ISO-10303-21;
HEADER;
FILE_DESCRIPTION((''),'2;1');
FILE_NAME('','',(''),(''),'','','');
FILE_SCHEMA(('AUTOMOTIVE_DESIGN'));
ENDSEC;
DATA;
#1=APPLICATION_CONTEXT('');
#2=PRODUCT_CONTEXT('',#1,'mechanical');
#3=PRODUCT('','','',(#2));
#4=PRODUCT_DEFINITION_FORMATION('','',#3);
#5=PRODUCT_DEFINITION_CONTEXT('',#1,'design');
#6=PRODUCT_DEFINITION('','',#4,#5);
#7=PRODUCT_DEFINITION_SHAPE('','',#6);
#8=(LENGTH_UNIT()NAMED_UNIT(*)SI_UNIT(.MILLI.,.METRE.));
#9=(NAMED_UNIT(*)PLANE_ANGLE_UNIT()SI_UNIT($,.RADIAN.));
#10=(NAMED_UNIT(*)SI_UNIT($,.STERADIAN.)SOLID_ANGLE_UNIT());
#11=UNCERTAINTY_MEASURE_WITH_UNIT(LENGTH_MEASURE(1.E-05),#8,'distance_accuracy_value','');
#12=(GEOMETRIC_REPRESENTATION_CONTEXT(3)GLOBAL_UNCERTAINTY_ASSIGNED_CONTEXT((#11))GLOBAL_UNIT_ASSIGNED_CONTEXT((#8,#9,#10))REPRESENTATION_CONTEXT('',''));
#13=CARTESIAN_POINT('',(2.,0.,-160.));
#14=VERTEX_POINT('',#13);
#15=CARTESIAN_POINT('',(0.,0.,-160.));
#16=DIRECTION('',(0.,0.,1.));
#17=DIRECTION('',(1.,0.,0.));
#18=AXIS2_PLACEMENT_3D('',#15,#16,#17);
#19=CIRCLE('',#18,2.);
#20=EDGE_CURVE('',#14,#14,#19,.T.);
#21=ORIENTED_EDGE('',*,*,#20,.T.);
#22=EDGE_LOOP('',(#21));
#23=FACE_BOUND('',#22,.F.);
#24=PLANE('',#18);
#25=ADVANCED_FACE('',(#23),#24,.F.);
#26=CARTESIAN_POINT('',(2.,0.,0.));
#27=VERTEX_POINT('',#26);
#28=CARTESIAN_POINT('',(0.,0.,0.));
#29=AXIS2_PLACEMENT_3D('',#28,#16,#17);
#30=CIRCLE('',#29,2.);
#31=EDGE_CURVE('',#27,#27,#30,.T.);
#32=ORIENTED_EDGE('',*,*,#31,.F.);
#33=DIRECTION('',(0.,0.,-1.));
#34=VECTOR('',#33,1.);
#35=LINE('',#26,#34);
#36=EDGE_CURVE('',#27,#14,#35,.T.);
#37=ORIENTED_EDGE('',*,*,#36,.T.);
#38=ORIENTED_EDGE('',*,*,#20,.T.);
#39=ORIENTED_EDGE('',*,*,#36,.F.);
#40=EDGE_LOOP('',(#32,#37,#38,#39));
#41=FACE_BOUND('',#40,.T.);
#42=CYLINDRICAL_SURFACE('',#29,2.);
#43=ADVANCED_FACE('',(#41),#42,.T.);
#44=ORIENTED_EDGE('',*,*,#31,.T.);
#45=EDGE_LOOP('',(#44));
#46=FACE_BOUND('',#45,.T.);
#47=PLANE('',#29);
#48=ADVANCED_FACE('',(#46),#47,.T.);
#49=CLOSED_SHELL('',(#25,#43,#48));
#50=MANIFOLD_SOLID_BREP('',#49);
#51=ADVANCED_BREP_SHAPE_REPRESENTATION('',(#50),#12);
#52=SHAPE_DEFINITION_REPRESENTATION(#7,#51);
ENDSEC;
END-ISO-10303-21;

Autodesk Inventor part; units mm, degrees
ref_plane "YZ Plane" through (0, 0, 0) normal (1, 0, 0) x (0, 1, 0)
ref_plane "XZ Plane" through (0, 0, 0) normal (0, 1, 0) x (-1, 0, 0)
ref_plane "XY Plane" through (0, 0, 0) normal (0, 0, 1) x (1, 0, 0)
sketch "Эскиз1" plane through (0, 0, 0) normal (0, 0, 1) x (1, 0, 0)
  circle A0 centre (0, 0) radius 2
  dimension "d0" = 4
extrude "Выдавливание1" add sketch "Эскиз1" against normal blind 160
thread "Резьба1" size "M4x0.7" class "6g" standard "ANSI Metric M Profile" length 160
properties part number "axis"
